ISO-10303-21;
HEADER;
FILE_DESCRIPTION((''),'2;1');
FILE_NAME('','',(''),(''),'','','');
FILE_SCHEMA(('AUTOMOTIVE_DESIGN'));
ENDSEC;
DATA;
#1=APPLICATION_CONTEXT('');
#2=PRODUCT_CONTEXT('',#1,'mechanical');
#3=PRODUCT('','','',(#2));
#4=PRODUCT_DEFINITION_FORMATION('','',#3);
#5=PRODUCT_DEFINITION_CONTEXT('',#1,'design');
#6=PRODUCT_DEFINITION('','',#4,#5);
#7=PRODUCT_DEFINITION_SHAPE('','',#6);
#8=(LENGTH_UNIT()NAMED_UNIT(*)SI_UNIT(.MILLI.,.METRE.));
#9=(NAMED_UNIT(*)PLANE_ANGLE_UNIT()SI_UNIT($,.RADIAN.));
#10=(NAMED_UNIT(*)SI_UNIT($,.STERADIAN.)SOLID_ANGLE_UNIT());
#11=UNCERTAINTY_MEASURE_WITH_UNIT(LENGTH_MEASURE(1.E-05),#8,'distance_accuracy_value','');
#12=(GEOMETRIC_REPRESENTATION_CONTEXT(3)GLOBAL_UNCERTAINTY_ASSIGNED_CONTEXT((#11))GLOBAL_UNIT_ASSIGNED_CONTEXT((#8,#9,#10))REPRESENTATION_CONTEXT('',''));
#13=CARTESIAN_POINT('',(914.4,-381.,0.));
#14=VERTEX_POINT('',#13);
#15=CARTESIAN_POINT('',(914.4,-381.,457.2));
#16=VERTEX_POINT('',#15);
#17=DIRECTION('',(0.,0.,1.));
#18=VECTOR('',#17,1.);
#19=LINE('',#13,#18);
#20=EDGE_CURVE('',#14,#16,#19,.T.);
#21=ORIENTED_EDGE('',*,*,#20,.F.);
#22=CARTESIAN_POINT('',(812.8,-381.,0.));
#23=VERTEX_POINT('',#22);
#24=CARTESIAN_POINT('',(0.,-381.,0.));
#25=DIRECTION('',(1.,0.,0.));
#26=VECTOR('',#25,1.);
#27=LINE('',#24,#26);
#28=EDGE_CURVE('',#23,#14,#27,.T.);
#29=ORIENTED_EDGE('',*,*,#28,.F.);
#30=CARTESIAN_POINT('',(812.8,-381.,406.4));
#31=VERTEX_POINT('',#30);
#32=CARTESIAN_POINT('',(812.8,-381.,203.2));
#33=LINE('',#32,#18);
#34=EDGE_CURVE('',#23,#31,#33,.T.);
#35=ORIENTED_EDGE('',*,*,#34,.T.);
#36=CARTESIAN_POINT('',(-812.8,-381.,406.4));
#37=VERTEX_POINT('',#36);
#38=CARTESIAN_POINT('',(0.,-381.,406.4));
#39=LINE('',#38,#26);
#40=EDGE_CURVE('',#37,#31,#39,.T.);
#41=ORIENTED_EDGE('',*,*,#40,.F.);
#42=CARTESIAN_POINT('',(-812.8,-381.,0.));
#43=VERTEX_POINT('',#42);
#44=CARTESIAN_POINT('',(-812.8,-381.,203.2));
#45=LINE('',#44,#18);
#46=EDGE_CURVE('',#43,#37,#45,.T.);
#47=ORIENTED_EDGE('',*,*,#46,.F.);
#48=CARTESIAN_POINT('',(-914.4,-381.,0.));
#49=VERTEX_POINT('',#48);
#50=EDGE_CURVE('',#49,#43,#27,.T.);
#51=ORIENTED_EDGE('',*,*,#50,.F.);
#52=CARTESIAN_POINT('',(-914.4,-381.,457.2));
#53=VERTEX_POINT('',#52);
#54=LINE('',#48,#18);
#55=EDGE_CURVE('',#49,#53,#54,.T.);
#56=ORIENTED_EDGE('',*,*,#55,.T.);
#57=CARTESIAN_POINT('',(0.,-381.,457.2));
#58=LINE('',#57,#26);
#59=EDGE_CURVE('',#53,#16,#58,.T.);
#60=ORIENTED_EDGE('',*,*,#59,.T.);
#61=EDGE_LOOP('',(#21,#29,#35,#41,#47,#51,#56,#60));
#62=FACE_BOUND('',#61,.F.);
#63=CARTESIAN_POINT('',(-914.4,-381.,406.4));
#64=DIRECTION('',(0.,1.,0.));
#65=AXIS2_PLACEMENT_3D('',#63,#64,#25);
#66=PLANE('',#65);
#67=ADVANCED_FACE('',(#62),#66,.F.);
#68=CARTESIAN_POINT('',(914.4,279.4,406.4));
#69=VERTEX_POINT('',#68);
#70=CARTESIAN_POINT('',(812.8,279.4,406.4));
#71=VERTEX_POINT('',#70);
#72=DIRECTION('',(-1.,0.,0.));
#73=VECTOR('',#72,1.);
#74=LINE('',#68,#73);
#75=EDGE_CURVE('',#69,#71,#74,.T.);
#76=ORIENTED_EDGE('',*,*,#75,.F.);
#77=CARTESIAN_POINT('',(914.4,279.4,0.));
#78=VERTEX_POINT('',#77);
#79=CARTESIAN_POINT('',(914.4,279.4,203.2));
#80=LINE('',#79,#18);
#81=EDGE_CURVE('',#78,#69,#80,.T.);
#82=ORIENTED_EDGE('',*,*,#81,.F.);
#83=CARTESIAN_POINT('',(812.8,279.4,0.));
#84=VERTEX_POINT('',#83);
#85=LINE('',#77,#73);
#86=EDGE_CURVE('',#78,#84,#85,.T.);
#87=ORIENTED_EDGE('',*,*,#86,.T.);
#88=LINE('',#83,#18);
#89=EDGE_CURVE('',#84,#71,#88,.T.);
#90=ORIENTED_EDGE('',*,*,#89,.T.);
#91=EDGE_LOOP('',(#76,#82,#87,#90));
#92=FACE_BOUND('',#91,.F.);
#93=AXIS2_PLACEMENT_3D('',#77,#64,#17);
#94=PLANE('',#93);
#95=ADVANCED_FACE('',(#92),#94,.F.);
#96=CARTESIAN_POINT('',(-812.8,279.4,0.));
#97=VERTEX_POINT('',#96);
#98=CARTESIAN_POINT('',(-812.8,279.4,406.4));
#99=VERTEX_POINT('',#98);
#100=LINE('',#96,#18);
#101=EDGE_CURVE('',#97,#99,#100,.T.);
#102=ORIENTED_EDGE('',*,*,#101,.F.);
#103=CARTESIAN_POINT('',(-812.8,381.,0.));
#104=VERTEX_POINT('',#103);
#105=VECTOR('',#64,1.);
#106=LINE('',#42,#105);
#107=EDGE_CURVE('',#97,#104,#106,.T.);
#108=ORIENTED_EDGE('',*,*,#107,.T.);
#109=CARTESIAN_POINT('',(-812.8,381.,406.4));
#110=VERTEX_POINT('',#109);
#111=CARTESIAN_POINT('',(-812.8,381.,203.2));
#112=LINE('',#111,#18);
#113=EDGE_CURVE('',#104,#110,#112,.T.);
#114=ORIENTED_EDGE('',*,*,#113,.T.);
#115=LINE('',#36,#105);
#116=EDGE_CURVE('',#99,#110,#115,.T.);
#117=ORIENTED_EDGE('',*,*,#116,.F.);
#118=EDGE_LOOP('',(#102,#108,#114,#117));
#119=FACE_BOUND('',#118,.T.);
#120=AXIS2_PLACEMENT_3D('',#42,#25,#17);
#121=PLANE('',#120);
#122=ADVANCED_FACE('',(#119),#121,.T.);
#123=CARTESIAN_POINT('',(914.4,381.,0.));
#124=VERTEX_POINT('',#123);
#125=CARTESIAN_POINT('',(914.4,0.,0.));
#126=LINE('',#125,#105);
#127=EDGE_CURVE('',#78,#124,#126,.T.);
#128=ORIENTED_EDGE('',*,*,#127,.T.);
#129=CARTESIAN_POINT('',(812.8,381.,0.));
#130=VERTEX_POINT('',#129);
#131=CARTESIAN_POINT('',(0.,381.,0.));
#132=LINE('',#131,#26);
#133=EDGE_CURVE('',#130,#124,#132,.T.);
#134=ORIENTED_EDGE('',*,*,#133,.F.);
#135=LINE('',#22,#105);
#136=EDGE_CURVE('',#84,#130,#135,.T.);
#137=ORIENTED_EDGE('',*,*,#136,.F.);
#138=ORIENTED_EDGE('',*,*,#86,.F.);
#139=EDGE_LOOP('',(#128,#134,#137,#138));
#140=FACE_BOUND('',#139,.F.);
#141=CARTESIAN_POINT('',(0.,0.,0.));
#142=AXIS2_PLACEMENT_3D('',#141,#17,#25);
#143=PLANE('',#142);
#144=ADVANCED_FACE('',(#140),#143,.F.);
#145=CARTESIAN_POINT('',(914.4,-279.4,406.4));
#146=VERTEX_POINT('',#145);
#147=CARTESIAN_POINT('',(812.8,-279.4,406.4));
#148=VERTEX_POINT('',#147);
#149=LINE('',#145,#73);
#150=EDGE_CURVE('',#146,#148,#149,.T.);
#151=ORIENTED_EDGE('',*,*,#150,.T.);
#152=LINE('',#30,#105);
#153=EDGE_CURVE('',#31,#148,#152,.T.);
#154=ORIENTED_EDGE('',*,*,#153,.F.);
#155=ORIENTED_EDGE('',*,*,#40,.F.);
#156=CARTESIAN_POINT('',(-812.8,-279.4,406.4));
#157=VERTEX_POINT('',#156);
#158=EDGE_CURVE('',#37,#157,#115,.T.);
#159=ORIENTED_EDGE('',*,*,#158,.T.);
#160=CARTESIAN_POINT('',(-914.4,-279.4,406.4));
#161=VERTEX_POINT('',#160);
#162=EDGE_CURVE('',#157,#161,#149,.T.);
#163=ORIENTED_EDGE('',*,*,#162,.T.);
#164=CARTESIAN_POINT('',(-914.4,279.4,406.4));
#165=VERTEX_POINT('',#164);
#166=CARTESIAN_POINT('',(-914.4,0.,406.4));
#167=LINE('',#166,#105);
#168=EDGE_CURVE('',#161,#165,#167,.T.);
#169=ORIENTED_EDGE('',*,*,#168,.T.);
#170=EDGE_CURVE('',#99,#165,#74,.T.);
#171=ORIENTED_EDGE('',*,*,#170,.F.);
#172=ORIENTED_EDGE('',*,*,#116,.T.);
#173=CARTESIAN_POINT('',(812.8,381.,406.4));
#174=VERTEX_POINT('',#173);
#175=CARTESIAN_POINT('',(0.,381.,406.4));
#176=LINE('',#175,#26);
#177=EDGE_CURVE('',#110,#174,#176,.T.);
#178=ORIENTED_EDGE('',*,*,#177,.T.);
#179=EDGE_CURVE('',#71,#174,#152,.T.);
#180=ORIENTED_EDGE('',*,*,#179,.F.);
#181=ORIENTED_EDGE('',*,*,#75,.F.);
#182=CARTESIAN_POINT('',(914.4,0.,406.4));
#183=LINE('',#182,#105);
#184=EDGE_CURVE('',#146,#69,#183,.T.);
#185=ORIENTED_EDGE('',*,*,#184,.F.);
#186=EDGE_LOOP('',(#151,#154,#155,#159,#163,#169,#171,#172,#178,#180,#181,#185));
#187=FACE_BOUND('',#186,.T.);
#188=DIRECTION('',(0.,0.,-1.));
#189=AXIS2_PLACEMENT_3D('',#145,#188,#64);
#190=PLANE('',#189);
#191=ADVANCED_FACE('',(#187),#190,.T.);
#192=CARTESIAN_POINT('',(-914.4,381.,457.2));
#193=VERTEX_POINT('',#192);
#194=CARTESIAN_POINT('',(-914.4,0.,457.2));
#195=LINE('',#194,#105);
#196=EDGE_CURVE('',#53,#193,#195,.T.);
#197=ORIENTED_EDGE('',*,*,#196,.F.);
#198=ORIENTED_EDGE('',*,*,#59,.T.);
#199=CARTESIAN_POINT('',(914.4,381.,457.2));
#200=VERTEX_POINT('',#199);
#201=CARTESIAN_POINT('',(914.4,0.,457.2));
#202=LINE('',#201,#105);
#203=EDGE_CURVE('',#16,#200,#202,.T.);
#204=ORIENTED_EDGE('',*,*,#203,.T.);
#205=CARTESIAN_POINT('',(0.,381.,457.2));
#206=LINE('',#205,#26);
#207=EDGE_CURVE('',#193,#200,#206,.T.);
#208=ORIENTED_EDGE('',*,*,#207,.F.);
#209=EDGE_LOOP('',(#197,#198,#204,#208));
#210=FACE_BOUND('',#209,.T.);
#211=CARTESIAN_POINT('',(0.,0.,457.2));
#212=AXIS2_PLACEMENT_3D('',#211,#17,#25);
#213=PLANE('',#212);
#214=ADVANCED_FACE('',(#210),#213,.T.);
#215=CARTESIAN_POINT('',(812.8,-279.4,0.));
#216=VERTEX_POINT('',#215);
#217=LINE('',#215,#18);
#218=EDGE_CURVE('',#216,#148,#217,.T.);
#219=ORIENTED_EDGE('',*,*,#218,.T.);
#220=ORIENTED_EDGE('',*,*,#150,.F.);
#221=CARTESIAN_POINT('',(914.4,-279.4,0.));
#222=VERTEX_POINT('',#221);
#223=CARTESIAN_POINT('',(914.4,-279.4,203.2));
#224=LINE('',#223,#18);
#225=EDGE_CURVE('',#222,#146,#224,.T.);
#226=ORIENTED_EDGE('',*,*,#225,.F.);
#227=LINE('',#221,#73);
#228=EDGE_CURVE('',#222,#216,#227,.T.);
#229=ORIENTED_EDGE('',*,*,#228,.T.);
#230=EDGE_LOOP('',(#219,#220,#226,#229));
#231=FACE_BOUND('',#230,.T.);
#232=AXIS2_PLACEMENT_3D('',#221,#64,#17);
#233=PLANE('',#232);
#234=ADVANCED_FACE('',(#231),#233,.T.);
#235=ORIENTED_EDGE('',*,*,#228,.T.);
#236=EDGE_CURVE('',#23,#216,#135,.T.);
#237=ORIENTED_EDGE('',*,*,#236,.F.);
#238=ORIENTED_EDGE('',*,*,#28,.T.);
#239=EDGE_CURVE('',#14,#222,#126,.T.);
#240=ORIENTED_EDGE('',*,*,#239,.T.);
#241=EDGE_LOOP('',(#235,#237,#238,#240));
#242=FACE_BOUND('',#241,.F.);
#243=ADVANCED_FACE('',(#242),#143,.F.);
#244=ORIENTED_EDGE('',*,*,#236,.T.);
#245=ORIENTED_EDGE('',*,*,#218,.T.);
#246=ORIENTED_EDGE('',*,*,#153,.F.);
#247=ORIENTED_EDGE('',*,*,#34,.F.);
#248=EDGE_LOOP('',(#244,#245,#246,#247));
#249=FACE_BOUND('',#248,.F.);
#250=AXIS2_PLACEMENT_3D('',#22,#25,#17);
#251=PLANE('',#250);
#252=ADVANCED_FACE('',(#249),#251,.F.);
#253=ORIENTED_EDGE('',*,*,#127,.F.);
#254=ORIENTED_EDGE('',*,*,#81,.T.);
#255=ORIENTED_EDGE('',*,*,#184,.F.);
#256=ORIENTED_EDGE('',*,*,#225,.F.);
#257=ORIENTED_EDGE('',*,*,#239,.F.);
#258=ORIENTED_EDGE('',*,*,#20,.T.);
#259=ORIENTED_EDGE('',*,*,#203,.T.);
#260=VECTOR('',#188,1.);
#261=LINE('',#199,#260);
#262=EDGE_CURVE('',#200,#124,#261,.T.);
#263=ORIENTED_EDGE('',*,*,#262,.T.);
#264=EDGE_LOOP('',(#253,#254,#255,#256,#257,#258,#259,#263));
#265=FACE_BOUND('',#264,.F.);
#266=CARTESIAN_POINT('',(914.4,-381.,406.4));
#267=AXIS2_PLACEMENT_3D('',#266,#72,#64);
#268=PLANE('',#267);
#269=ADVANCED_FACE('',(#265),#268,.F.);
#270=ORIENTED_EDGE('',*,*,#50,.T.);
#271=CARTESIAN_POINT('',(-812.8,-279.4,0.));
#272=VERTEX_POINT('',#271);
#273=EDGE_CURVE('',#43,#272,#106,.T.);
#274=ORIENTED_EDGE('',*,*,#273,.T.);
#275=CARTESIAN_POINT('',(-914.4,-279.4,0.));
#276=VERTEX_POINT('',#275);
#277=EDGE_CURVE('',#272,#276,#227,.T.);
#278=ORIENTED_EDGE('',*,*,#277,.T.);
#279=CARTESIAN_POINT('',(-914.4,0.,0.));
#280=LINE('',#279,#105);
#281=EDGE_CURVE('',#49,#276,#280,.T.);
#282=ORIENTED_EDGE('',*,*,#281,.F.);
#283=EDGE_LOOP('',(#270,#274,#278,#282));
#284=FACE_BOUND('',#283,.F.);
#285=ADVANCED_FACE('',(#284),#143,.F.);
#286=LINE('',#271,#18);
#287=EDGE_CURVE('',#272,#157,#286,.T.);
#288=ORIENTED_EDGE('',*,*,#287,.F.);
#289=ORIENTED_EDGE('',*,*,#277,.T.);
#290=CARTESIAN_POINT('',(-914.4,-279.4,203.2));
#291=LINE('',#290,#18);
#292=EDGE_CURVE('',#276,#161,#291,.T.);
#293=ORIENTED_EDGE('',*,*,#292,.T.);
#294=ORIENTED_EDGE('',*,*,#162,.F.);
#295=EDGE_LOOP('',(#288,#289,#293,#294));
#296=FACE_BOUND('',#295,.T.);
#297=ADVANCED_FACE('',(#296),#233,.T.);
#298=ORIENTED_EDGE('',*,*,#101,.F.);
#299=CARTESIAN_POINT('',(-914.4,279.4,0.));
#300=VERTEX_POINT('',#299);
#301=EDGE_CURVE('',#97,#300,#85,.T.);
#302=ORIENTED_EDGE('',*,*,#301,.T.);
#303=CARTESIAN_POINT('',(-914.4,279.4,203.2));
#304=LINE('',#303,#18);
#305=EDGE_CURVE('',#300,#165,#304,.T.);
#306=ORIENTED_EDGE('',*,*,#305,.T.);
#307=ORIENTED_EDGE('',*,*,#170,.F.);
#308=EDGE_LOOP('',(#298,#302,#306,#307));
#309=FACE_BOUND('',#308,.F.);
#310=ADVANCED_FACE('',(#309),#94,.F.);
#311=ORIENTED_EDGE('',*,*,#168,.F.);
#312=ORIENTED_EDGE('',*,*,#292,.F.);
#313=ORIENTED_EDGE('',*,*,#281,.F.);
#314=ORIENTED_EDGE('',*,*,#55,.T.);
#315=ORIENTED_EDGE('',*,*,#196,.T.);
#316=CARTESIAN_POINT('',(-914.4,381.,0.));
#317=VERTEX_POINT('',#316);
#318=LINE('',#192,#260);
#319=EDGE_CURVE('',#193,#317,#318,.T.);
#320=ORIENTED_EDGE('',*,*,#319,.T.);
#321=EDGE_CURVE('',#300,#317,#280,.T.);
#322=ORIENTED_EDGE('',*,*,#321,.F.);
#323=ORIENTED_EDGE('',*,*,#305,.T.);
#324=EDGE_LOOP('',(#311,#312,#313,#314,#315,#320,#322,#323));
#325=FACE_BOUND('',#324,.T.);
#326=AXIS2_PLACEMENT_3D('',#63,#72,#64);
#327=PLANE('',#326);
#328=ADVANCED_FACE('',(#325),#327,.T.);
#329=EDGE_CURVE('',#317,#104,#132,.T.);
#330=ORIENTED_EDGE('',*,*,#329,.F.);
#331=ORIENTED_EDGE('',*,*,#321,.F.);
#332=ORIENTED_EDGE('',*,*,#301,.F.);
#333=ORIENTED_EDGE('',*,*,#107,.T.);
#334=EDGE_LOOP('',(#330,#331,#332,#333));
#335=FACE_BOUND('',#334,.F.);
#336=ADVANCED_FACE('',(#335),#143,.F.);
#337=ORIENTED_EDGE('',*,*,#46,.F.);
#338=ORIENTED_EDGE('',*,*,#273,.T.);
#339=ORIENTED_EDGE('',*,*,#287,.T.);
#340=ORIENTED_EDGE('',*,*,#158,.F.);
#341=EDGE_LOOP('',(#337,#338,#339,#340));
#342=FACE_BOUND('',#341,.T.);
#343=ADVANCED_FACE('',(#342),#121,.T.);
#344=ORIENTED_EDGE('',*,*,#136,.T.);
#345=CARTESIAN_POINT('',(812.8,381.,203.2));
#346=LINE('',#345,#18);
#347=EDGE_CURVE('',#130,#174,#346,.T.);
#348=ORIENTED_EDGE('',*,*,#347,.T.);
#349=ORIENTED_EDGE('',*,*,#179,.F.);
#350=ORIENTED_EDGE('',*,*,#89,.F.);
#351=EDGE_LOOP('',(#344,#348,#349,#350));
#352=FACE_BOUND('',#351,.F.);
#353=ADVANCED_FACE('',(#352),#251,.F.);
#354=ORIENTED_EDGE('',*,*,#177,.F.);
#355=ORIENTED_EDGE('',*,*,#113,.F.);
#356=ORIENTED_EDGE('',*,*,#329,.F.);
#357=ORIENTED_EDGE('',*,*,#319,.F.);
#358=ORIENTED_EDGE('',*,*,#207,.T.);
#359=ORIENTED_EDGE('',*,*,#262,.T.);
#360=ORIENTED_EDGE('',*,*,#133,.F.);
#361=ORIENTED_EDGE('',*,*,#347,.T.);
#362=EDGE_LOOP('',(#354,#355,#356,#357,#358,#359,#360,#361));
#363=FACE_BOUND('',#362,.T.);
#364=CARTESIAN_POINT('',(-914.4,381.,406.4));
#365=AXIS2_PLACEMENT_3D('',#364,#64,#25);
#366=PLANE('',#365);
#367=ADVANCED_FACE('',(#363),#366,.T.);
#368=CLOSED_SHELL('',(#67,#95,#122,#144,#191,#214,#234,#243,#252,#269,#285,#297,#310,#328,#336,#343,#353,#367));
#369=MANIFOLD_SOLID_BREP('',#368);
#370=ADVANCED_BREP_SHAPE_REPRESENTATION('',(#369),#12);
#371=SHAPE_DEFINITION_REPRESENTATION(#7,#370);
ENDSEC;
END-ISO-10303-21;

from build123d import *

# Parameters (mm, degrees)
F0_W     = 1828.8
F0_H     = 762
F1_DEPTH = 406.4
F3_DEPTH = 50.8
F2_W     = 1625.6
F2_H     = 406.4
F4_DEPTH = 762
F5_W     = 558.8
F5_H     = 406.4
F6_DEPTH = 1828.8


with BuildPart() as f1:
    # F0 (on Top) → F1 (new body)
    with BuildSketch(Plane.XY):
        Rectangle(F0_W, F0_H)
    extrude(amount=F1_DEPTH)

    # F3 (add): a face of the model
    f3_faces = [f1.faces().sort_by_distance(p)[0] for p in [
        (0, 0, 406.4),
    ]]
    extrude(f3_faces, amount=F3_DEPTH)

    # F2 (on face) → F4 (cut)
    with BuildSketch(Plane.XZ.offset(381)):
        with Locations((0, 203.2)):
            Rectangle(F2_W, F2_H)
    extrude(amount=-F4_DEPTH, mode=Mode.SUBTRACT)

    # F5 (on face) → F6 (cut)
    with BuildSketch(Plane.YZ.offset(914.4)):
        with Locations((0, 203.2)):
            Rectangle(F5_W, F5_H)
    extrude(amount=-F6_DEPTH, mode=Mode.SUBTRACT)


solid = f1.part
